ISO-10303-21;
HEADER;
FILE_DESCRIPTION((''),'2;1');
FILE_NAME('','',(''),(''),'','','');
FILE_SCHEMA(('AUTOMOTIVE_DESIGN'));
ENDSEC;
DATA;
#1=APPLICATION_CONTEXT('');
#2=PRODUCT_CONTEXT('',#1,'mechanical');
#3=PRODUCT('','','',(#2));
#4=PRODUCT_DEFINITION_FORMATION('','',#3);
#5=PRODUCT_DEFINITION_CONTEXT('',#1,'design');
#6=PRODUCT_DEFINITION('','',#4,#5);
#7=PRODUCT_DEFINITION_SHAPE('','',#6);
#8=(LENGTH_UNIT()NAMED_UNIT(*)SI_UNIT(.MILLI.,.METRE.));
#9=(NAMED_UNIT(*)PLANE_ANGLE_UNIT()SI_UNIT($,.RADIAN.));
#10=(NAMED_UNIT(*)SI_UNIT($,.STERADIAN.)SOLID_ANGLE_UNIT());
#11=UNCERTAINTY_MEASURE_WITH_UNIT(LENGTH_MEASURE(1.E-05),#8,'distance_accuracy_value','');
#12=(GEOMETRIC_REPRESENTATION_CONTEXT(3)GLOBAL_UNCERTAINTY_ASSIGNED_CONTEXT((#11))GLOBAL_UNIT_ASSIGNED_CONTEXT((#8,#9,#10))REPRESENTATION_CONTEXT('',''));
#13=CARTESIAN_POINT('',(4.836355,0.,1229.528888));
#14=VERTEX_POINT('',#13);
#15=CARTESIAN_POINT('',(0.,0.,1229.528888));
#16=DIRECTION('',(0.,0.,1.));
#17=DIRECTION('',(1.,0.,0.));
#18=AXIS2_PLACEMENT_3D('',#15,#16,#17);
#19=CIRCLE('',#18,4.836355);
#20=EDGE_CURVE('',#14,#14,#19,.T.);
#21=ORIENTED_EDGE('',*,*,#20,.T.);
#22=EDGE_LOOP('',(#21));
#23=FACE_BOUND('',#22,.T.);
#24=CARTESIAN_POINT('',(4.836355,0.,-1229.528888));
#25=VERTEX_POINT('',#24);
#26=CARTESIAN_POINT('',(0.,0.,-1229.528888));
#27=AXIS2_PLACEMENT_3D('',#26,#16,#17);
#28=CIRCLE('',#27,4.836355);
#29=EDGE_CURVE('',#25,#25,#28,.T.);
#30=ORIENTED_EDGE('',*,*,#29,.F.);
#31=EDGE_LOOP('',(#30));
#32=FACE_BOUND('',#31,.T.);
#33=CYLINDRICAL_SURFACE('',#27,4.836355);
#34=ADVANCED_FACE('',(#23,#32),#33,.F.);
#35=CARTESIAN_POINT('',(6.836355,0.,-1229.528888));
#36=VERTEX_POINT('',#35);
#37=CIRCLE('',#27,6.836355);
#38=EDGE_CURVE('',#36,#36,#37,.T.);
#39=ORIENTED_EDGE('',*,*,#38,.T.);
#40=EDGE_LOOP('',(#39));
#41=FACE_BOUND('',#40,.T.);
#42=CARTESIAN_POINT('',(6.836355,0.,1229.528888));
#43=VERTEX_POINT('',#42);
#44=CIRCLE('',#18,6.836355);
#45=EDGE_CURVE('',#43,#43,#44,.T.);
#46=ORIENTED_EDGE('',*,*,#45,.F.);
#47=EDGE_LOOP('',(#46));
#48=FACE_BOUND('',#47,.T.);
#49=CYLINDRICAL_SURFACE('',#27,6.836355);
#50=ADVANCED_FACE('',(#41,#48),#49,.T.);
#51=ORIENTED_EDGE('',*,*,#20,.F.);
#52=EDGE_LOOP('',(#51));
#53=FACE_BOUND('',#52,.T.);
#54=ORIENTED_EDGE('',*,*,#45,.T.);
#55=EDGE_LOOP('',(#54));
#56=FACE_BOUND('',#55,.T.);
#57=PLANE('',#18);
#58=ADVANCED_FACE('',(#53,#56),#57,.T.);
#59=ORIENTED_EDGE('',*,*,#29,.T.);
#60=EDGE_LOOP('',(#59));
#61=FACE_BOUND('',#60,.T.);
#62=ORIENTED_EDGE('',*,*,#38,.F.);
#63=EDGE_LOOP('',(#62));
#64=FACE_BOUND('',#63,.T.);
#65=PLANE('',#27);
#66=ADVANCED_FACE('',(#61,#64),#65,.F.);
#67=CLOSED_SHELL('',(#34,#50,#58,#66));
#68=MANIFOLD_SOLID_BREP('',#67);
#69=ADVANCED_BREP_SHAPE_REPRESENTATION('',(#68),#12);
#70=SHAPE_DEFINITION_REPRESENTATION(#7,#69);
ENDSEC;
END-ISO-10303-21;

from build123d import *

# Parameters (mm, degrees)
SKETCH2_R                = 6.83635542
SKETCH2_R_2              = 4.83635542
BOSS_EXTRUDE1_DEPTH      = 1229.528888
BOSS_EXTRUDE1_DEPTH_BACK = 1229.528888


with BuildPart() as part:
    # Sketch2 → Boss-Extrude1 (new body, two sides)
    with BuildSketch(Plane.XY) as boss_extrude1_sk:
        Circle(SKETCH2_R)
        Circle(SKETCH2_R_2, mode=Mode.SUBTRACT)
    extrude(amount=BOSS_EXTRUDE1_DEPTH)
    extrude(boss_extrude1_sk.sketch, amount=-BOSS_EXTRUDE1_DEPTH_BACK)


solid = part.part
